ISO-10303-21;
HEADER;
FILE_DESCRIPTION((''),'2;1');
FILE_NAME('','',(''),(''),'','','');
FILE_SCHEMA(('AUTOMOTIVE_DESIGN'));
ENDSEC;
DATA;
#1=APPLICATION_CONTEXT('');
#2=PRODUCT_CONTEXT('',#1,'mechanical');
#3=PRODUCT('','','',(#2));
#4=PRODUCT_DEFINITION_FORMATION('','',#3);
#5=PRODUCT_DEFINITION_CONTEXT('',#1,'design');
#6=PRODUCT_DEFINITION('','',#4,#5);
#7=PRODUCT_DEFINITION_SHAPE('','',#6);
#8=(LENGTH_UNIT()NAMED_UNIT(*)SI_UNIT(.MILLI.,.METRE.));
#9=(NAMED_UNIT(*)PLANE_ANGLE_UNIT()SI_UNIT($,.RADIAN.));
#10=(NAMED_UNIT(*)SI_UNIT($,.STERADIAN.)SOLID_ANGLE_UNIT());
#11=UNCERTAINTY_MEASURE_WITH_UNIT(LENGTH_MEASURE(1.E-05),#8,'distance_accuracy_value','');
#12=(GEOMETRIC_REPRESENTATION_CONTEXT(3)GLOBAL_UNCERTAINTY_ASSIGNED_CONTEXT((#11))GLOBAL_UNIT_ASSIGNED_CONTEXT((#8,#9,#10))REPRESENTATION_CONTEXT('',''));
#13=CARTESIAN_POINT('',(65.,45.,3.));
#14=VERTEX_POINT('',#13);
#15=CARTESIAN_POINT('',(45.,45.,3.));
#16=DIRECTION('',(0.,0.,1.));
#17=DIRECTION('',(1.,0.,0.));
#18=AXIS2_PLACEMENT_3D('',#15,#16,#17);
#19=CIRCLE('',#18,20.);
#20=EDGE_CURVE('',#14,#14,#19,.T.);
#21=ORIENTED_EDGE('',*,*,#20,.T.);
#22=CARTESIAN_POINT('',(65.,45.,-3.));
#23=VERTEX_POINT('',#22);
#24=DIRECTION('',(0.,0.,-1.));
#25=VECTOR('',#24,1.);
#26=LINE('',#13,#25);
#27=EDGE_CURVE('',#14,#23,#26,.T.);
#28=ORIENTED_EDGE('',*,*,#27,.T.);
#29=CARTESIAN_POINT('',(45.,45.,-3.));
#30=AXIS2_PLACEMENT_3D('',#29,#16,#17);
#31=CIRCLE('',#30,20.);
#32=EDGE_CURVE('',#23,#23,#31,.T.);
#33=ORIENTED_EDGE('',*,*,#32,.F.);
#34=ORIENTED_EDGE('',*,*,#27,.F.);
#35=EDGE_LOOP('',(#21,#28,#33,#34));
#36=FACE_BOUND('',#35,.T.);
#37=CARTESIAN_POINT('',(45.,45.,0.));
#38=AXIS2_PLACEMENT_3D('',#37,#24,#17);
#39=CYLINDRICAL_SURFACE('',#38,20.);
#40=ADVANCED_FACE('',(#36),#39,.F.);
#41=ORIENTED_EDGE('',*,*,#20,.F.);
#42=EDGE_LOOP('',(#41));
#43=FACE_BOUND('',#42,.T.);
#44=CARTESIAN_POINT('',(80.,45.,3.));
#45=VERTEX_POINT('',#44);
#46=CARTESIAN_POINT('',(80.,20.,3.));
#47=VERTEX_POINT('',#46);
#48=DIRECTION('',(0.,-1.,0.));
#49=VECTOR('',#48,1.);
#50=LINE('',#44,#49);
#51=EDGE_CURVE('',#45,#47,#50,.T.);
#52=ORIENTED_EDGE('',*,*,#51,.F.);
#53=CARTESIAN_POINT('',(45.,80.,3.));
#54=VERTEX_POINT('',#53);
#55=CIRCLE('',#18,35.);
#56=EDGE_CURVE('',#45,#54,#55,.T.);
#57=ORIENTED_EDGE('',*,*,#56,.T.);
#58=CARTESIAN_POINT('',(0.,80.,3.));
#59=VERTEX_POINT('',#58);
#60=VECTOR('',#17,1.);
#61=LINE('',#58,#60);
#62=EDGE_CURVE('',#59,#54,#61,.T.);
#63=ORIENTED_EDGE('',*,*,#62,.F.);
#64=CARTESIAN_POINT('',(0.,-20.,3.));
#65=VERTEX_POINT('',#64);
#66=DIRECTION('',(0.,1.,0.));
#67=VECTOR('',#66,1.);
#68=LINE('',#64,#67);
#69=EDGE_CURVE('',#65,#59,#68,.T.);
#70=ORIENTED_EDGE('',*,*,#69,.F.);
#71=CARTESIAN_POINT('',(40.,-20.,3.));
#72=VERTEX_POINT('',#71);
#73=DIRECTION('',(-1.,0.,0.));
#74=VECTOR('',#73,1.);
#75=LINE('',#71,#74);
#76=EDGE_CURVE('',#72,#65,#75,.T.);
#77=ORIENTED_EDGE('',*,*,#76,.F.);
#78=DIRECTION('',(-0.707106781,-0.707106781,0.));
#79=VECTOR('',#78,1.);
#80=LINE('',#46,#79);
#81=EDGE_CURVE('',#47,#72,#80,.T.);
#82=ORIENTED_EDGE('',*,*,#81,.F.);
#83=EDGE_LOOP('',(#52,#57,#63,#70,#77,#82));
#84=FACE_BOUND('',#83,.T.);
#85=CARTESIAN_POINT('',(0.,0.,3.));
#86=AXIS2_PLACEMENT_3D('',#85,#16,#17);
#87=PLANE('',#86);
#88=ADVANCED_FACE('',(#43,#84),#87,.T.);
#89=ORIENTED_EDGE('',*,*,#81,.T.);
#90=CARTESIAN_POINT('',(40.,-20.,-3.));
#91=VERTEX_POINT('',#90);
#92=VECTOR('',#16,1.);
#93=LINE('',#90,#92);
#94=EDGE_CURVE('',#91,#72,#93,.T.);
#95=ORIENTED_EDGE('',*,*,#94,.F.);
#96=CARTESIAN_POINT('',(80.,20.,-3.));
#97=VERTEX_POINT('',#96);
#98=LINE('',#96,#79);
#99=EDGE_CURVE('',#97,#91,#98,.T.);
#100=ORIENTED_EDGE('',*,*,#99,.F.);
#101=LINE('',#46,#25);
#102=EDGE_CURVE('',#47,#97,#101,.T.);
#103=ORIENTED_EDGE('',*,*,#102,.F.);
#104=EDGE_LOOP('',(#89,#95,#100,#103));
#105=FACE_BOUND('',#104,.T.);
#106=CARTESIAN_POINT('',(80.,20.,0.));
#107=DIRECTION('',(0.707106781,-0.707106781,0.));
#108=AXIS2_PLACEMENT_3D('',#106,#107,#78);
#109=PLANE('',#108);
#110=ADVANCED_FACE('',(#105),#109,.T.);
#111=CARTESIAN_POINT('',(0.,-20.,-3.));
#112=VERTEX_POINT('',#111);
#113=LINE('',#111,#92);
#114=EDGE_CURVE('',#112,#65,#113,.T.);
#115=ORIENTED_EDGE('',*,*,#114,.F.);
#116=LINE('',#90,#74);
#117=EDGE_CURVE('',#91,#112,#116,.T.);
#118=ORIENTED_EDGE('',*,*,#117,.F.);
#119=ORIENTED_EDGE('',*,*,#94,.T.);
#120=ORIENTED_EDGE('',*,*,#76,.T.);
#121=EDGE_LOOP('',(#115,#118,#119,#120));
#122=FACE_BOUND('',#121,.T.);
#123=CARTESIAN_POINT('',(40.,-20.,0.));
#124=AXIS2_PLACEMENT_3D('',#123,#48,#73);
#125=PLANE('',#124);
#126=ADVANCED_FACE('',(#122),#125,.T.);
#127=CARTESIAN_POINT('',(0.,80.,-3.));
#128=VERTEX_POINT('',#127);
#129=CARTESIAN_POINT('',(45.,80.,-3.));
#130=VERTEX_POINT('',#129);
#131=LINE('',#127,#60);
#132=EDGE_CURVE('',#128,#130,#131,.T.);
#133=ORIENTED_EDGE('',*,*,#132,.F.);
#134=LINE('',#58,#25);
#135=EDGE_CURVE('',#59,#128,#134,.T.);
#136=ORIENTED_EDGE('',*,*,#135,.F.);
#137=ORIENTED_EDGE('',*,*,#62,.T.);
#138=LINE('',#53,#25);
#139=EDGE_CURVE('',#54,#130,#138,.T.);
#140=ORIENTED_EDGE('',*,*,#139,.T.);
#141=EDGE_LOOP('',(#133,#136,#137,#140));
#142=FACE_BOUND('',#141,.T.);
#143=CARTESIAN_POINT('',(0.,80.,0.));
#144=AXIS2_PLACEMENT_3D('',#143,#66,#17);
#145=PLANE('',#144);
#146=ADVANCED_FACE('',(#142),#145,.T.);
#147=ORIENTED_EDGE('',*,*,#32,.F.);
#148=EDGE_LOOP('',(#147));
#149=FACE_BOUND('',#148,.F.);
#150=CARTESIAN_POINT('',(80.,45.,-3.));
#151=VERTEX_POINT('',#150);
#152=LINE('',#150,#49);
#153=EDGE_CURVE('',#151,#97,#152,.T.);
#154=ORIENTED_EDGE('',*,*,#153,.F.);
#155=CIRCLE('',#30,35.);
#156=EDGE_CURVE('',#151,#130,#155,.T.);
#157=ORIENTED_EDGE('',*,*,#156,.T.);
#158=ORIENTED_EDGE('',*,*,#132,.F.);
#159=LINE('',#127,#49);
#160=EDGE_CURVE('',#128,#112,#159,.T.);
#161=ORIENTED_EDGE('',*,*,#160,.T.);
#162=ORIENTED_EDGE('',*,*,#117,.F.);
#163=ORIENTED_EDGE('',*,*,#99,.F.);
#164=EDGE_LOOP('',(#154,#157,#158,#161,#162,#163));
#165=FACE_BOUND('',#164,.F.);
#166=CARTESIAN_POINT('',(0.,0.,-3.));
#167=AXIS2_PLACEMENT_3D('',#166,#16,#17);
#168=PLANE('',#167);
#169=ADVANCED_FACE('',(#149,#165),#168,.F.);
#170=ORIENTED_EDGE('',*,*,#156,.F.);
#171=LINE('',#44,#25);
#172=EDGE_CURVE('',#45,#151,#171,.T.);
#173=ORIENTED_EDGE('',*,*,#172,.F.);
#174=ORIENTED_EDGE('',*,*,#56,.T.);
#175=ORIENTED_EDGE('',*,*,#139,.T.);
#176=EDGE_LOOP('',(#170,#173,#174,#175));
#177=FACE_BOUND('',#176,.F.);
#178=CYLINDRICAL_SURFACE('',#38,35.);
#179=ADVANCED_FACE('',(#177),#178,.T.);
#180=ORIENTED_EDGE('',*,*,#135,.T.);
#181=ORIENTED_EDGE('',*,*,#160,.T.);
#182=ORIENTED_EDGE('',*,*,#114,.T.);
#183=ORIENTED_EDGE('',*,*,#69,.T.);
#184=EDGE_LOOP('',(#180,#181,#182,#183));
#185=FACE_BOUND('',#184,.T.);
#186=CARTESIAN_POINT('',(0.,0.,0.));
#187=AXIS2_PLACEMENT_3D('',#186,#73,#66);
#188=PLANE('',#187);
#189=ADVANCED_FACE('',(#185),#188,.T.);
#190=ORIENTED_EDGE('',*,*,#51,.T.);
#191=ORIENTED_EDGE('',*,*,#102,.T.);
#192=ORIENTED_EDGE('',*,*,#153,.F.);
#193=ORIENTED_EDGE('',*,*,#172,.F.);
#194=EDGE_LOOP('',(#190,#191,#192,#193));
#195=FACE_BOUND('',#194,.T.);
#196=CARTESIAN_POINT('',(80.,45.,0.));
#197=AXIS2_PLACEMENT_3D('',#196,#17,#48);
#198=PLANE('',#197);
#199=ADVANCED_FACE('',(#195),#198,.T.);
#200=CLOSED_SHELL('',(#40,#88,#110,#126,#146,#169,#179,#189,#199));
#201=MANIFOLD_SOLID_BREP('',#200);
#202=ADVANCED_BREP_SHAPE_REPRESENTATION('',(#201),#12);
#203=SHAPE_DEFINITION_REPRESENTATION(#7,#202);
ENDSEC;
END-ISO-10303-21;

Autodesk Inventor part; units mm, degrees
ref_plane "YZ Plane" through (0, 0, 0) normal (1, 0, 0) x (0, 1, 0)
ref_plane "XZ Plane" through (0, 0, 0) normal (0, 1, 0) x (-1, 0, 0)
ref_plane "XY Plane" through (0, 0, 0) normal (0, 0, 1) x (1, 0, 0)
sketch "Sketch6" plane through (0, 0, 0) normal (0, 0, 1) x (1, 0, 0)
  line L0 (0, 0) -> (0, 80)
  line L1 (0, 80) -> (45, 80)
  arc A0 (80, 45) -> (45, 80) centre (45, 45) ccw
  line L2 (80, 45) -> (80, 20)
  line L3 (80, 20) -> (40, -20)
  line L4 (40, -20) -> (0, -20)
  line L5 (0, -20) -> (0, 0)
  circle A1 centre (45, 45) radius 20
  dimension "d41" = 80
  dimension "d42" = 15
  dimension "d43" = 40
  dimension "d44" = 35
  dimension "d45" = 45
  dimension "d47" = 20
  dimension "d48" = 135
  dimension "d49" = 40
extrude "Plate3" add sketch "Sketch6" along normal mid plane 6
equation "\"d46\" = Thickness"
equation "\"BendReliefWidth\" = Thickness"
equation "\"BendReliefDepth\" = 0.5 * Thickness"
equation "\"CornerReliefSize\" = 4 * Thickness"
equation "\"MinimumRemnant\" = 2 * Thickness"
equation "\"TransitionRadius\" = BendRadius"
equation "\"JacobiRadiusSize\" = BendRadius"
equation "\"GapSize\" = Thickness"
equation "\"Thickness\" = 6"
equation "\"BendRadius\" = 5"
properties part number "GnG frame 4.1 D-ring" material "Stainless Steel"
